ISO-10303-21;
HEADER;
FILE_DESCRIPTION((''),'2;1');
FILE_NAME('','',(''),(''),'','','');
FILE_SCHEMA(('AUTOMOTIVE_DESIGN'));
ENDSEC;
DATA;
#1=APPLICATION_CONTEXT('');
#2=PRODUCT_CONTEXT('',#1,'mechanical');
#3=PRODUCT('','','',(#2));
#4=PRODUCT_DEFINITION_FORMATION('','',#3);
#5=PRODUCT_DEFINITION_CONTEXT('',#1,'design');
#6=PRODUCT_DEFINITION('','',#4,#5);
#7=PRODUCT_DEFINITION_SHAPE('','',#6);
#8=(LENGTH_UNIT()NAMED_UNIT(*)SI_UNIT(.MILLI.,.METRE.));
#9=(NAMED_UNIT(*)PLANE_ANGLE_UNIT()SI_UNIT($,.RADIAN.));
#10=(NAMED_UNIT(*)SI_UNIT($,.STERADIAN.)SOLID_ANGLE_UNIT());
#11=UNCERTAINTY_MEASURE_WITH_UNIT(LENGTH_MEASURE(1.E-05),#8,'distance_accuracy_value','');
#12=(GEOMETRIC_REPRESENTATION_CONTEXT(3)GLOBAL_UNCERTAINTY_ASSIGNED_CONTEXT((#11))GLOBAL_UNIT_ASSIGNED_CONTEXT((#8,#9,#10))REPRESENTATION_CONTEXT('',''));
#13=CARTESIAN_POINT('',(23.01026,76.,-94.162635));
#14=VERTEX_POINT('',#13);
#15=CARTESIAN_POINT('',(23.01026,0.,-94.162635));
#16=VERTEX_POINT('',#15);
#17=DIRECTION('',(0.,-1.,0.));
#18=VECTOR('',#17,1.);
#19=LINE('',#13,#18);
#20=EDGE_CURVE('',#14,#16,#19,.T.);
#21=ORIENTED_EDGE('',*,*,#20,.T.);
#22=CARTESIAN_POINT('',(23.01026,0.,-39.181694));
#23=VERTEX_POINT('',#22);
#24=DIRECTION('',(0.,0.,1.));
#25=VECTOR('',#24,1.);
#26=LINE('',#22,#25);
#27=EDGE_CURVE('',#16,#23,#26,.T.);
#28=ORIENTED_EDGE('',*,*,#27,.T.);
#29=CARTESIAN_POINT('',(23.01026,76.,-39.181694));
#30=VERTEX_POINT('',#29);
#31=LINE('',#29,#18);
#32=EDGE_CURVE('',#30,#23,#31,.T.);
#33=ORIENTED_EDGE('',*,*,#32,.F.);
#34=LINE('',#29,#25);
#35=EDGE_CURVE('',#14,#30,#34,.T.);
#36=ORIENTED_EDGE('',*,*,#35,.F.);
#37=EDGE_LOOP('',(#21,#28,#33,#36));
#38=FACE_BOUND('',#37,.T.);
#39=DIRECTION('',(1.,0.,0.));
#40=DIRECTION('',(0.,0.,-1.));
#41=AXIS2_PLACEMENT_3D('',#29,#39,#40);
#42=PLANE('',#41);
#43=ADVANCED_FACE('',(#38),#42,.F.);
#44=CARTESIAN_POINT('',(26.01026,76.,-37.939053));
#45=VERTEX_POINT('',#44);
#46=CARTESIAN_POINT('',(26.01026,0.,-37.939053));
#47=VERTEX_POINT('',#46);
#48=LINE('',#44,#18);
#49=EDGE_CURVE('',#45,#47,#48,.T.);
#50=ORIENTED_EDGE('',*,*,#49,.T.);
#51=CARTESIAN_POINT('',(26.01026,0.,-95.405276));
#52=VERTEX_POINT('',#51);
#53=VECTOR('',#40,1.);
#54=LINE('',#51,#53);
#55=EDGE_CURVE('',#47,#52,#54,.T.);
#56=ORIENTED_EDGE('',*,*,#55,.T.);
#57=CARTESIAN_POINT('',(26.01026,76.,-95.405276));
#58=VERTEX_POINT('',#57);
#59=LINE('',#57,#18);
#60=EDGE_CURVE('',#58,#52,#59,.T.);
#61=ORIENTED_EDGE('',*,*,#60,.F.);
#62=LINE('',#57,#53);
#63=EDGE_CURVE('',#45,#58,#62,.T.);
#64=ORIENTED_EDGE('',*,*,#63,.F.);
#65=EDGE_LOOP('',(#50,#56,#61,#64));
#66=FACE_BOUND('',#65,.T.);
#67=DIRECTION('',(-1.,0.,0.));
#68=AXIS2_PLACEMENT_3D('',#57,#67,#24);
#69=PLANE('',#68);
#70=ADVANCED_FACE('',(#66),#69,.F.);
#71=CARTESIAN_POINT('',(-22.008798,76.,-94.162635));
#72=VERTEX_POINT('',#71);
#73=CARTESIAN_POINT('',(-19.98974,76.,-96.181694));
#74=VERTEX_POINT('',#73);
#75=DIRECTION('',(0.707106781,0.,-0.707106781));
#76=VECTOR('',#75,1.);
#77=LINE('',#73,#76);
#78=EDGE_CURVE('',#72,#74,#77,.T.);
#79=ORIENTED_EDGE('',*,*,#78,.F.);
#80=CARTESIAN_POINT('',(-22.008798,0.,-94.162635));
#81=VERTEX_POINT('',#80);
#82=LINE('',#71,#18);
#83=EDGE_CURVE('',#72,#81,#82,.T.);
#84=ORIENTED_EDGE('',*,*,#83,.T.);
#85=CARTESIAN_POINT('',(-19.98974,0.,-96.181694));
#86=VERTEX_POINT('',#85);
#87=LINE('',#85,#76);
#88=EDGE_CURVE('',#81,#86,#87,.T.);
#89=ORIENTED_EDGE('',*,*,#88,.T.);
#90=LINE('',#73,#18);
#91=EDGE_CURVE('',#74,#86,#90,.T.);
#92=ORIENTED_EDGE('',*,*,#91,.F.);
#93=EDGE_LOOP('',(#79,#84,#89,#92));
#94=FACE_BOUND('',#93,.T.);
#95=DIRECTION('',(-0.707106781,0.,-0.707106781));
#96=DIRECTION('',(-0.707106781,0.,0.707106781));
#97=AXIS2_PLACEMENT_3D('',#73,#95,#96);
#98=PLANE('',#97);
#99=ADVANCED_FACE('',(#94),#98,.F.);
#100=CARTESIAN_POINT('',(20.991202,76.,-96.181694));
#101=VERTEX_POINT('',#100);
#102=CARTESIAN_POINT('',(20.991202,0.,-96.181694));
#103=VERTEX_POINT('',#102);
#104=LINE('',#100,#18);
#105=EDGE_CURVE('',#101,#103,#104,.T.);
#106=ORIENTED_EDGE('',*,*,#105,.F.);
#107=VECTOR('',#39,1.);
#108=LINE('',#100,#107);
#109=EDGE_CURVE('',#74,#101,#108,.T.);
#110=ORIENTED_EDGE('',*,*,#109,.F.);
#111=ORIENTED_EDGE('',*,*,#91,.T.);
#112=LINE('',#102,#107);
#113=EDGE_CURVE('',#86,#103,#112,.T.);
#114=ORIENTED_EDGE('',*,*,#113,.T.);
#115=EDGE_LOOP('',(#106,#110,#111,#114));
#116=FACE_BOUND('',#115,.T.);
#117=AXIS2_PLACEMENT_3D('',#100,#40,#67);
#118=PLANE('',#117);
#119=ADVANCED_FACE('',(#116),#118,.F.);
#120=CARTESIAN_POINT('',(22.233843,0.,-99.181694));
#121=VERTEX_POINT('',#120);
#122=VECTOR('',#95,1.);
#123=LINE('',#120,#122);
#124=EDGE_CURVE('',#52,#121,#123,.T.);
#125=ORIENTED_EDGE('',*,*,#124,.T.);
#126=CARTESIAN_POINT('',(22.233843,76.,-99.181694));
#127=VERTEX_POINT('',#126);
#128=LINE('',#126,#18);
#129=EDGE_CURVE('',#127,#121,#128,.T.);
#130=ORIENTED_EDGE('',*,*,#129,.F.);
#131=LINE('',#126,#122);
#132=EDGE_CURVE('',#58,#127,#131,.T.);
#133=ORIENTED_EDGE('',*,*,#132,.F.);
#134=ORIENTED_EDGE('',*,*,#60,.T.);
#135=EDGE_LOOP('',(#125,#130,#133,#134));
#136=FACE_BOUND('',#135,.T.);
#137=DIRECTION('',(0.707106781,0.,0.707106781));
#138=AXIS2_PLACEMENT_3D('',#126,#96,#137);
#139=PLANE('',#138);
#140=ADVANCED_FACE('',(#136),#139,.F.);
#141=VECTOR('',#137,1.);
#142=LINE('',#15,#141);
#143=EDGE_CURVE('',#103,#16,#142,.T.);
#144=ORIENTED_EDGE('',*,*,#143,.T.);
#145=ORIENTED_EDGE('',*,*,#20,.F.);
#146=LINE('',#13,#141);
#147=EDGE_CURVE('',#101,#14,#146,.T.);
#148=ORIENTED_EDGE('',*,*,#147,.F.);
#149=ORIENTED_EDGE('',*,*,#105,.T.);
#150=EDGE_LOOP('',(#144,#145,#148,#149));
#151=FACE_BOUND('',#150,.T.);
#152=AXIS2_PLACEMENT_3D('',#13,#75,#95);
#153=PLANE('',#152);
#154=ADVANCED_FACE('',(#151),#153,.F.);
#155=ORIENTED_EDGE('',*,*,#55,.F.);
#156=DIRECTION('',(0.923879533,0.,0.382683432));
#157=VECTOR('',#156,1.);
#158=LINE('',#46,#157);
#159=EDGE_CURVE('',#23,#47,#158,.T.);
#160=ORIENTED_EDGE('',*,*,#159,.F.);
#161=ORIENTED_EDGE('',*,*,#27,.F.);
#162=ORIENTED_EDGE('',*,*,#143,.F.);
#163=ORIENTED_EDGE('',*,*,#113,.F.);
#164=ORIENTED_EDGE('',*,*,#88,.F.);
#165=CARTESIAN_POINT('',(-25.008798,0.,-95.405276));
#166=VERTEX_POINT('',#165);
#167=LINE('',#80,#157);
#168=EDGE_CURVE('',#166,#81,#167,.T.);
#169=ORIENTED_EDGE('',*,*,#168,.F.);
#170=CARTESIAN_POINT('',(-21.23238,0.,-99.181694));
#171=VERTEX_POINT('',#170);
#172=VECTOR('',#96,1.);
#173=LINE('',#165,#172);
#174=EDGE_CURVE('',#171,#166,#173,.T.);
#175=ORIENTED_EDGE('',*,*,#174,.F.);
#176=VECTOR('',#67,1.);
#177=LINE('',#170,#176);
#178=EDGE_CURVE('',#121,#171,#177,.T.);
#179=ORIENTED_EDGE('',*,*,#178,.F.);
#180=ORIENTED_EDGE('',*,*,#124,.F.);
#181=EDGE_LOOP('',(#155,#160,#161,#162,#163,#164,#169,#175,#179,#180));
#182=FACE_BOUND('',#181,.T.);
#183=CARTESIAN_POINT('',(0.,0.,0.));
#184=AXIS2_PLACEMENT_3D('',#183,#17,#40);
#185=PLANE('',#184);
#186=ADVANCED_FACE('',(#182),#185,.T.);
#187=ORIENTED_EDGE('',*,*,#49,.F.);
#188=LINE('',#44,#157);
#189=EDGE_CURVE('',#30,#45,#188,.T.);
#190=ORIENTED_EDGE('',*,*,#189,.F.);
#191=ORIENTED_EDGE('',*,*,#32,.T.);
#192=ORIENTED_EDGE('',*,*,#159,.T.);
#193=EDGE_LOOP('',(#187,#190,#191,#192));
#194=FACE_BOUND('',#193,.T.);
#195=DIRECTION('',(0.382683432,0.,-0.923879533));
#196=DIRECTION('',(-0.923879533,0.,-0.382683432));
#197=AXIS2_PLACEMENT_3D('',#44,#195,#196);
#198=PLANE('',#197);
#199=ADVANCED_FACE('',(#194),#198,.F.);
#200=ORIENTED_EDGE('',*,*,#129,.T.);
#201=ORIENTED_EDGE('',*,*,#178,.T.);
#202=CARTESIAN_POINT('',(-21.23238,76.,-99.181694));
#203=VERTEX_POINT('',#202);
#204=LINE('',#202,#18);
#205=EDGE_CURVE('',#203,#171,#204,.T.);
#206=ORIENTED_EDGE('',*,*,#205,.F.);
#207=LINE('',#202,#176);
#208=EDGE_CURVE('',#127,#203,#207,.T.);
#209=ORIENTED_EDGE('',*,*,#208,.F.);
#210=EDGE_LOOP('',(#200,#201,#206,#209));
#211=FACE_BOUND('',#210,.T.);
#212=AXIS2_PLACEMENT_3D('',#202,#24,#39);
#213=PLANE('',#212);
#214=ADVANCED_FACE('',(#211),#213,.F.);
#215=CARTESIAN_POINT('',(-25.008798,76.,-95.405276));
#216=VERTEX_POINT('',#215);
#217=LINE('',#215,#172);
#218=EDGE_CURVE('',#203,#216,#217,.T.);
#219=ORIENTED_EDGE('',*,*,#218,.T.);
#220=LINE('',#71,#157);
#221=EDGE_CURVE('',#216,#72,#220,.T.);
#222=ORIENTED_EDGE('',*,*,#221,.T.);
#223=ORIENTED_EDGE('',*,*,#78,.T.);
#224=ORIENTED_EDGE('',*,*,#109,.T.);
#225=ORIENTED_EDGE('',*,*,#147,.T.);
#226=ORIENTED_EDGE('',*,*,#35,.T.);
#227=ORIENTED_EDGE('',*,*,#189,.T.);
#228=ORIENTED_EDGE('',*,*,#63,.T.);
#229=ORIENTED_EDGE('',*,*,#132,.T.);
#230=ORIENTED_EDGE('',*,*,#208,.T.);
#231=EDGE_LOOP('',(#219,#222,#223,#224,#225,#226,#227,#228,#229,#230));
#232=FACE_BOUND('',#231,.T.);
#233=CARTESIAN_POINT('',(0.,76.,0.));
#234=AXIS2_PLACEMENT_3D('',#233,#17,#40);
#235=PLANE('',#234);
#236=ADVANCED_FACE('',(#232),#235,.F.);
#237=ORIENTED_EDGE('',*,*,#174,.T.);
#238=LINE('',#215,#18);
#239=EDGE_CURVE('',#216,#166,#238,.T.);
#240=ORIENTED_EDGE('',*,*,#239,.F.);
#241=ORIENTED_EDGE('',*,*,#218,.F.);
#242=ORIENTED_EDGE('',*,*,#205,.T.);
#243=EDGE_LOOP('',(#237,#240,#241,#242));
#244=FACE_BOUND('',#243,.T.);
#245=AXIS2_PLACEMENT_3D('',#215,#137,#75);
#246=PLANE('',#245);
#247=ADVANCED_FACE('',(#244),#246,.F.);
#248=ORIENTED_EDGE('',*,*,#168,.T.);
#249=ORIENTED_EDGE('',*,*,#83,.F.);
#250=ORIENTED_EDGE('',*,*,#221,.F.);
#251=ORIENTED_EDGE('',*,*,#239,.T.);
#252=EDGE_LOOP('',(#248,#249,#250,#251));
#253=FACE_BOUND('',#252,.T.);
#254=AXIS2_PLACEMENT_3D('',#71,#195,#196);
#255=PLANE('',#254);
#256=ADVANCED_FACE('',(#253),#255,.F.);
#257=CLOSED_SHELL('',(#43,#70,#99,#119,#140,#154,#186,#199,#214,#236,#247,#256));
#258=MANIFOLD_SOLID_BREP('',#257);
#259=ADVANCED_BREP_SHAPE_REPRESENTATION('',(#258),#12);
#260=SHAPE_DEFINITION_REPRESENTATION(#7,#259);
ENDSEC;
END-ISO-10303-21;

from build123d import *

# Parameters (mm, degrees)
BOSS_EXTRUDE1_DEPTH = 76


with BuildPart() as part:
    # Sketch1 → Boss-Extrude1 (new body)
    with BuildSketch(Plane(origin=(0, 0, 0), x_dir=(1, 0, 0), z_dir=(0, 1, 0))):
        Polygon((-25.008798029, 95.405275845), (-21.232380207, 99.181693667), (22.233842659, 99.181693667), (26.01026048, 95.405275845), (26.01026048, 37.939052979), (23.01026048, 39.181693667), (23.01026048, 94.162635158), (20.991201971, 96.181693667), (-19.98973952, 96.181693667), (-22.008798029, 94.162635158), align=None)
    extrude(amount=BOSS_EXTRUDE1_DEPTH)


solid = part.part
